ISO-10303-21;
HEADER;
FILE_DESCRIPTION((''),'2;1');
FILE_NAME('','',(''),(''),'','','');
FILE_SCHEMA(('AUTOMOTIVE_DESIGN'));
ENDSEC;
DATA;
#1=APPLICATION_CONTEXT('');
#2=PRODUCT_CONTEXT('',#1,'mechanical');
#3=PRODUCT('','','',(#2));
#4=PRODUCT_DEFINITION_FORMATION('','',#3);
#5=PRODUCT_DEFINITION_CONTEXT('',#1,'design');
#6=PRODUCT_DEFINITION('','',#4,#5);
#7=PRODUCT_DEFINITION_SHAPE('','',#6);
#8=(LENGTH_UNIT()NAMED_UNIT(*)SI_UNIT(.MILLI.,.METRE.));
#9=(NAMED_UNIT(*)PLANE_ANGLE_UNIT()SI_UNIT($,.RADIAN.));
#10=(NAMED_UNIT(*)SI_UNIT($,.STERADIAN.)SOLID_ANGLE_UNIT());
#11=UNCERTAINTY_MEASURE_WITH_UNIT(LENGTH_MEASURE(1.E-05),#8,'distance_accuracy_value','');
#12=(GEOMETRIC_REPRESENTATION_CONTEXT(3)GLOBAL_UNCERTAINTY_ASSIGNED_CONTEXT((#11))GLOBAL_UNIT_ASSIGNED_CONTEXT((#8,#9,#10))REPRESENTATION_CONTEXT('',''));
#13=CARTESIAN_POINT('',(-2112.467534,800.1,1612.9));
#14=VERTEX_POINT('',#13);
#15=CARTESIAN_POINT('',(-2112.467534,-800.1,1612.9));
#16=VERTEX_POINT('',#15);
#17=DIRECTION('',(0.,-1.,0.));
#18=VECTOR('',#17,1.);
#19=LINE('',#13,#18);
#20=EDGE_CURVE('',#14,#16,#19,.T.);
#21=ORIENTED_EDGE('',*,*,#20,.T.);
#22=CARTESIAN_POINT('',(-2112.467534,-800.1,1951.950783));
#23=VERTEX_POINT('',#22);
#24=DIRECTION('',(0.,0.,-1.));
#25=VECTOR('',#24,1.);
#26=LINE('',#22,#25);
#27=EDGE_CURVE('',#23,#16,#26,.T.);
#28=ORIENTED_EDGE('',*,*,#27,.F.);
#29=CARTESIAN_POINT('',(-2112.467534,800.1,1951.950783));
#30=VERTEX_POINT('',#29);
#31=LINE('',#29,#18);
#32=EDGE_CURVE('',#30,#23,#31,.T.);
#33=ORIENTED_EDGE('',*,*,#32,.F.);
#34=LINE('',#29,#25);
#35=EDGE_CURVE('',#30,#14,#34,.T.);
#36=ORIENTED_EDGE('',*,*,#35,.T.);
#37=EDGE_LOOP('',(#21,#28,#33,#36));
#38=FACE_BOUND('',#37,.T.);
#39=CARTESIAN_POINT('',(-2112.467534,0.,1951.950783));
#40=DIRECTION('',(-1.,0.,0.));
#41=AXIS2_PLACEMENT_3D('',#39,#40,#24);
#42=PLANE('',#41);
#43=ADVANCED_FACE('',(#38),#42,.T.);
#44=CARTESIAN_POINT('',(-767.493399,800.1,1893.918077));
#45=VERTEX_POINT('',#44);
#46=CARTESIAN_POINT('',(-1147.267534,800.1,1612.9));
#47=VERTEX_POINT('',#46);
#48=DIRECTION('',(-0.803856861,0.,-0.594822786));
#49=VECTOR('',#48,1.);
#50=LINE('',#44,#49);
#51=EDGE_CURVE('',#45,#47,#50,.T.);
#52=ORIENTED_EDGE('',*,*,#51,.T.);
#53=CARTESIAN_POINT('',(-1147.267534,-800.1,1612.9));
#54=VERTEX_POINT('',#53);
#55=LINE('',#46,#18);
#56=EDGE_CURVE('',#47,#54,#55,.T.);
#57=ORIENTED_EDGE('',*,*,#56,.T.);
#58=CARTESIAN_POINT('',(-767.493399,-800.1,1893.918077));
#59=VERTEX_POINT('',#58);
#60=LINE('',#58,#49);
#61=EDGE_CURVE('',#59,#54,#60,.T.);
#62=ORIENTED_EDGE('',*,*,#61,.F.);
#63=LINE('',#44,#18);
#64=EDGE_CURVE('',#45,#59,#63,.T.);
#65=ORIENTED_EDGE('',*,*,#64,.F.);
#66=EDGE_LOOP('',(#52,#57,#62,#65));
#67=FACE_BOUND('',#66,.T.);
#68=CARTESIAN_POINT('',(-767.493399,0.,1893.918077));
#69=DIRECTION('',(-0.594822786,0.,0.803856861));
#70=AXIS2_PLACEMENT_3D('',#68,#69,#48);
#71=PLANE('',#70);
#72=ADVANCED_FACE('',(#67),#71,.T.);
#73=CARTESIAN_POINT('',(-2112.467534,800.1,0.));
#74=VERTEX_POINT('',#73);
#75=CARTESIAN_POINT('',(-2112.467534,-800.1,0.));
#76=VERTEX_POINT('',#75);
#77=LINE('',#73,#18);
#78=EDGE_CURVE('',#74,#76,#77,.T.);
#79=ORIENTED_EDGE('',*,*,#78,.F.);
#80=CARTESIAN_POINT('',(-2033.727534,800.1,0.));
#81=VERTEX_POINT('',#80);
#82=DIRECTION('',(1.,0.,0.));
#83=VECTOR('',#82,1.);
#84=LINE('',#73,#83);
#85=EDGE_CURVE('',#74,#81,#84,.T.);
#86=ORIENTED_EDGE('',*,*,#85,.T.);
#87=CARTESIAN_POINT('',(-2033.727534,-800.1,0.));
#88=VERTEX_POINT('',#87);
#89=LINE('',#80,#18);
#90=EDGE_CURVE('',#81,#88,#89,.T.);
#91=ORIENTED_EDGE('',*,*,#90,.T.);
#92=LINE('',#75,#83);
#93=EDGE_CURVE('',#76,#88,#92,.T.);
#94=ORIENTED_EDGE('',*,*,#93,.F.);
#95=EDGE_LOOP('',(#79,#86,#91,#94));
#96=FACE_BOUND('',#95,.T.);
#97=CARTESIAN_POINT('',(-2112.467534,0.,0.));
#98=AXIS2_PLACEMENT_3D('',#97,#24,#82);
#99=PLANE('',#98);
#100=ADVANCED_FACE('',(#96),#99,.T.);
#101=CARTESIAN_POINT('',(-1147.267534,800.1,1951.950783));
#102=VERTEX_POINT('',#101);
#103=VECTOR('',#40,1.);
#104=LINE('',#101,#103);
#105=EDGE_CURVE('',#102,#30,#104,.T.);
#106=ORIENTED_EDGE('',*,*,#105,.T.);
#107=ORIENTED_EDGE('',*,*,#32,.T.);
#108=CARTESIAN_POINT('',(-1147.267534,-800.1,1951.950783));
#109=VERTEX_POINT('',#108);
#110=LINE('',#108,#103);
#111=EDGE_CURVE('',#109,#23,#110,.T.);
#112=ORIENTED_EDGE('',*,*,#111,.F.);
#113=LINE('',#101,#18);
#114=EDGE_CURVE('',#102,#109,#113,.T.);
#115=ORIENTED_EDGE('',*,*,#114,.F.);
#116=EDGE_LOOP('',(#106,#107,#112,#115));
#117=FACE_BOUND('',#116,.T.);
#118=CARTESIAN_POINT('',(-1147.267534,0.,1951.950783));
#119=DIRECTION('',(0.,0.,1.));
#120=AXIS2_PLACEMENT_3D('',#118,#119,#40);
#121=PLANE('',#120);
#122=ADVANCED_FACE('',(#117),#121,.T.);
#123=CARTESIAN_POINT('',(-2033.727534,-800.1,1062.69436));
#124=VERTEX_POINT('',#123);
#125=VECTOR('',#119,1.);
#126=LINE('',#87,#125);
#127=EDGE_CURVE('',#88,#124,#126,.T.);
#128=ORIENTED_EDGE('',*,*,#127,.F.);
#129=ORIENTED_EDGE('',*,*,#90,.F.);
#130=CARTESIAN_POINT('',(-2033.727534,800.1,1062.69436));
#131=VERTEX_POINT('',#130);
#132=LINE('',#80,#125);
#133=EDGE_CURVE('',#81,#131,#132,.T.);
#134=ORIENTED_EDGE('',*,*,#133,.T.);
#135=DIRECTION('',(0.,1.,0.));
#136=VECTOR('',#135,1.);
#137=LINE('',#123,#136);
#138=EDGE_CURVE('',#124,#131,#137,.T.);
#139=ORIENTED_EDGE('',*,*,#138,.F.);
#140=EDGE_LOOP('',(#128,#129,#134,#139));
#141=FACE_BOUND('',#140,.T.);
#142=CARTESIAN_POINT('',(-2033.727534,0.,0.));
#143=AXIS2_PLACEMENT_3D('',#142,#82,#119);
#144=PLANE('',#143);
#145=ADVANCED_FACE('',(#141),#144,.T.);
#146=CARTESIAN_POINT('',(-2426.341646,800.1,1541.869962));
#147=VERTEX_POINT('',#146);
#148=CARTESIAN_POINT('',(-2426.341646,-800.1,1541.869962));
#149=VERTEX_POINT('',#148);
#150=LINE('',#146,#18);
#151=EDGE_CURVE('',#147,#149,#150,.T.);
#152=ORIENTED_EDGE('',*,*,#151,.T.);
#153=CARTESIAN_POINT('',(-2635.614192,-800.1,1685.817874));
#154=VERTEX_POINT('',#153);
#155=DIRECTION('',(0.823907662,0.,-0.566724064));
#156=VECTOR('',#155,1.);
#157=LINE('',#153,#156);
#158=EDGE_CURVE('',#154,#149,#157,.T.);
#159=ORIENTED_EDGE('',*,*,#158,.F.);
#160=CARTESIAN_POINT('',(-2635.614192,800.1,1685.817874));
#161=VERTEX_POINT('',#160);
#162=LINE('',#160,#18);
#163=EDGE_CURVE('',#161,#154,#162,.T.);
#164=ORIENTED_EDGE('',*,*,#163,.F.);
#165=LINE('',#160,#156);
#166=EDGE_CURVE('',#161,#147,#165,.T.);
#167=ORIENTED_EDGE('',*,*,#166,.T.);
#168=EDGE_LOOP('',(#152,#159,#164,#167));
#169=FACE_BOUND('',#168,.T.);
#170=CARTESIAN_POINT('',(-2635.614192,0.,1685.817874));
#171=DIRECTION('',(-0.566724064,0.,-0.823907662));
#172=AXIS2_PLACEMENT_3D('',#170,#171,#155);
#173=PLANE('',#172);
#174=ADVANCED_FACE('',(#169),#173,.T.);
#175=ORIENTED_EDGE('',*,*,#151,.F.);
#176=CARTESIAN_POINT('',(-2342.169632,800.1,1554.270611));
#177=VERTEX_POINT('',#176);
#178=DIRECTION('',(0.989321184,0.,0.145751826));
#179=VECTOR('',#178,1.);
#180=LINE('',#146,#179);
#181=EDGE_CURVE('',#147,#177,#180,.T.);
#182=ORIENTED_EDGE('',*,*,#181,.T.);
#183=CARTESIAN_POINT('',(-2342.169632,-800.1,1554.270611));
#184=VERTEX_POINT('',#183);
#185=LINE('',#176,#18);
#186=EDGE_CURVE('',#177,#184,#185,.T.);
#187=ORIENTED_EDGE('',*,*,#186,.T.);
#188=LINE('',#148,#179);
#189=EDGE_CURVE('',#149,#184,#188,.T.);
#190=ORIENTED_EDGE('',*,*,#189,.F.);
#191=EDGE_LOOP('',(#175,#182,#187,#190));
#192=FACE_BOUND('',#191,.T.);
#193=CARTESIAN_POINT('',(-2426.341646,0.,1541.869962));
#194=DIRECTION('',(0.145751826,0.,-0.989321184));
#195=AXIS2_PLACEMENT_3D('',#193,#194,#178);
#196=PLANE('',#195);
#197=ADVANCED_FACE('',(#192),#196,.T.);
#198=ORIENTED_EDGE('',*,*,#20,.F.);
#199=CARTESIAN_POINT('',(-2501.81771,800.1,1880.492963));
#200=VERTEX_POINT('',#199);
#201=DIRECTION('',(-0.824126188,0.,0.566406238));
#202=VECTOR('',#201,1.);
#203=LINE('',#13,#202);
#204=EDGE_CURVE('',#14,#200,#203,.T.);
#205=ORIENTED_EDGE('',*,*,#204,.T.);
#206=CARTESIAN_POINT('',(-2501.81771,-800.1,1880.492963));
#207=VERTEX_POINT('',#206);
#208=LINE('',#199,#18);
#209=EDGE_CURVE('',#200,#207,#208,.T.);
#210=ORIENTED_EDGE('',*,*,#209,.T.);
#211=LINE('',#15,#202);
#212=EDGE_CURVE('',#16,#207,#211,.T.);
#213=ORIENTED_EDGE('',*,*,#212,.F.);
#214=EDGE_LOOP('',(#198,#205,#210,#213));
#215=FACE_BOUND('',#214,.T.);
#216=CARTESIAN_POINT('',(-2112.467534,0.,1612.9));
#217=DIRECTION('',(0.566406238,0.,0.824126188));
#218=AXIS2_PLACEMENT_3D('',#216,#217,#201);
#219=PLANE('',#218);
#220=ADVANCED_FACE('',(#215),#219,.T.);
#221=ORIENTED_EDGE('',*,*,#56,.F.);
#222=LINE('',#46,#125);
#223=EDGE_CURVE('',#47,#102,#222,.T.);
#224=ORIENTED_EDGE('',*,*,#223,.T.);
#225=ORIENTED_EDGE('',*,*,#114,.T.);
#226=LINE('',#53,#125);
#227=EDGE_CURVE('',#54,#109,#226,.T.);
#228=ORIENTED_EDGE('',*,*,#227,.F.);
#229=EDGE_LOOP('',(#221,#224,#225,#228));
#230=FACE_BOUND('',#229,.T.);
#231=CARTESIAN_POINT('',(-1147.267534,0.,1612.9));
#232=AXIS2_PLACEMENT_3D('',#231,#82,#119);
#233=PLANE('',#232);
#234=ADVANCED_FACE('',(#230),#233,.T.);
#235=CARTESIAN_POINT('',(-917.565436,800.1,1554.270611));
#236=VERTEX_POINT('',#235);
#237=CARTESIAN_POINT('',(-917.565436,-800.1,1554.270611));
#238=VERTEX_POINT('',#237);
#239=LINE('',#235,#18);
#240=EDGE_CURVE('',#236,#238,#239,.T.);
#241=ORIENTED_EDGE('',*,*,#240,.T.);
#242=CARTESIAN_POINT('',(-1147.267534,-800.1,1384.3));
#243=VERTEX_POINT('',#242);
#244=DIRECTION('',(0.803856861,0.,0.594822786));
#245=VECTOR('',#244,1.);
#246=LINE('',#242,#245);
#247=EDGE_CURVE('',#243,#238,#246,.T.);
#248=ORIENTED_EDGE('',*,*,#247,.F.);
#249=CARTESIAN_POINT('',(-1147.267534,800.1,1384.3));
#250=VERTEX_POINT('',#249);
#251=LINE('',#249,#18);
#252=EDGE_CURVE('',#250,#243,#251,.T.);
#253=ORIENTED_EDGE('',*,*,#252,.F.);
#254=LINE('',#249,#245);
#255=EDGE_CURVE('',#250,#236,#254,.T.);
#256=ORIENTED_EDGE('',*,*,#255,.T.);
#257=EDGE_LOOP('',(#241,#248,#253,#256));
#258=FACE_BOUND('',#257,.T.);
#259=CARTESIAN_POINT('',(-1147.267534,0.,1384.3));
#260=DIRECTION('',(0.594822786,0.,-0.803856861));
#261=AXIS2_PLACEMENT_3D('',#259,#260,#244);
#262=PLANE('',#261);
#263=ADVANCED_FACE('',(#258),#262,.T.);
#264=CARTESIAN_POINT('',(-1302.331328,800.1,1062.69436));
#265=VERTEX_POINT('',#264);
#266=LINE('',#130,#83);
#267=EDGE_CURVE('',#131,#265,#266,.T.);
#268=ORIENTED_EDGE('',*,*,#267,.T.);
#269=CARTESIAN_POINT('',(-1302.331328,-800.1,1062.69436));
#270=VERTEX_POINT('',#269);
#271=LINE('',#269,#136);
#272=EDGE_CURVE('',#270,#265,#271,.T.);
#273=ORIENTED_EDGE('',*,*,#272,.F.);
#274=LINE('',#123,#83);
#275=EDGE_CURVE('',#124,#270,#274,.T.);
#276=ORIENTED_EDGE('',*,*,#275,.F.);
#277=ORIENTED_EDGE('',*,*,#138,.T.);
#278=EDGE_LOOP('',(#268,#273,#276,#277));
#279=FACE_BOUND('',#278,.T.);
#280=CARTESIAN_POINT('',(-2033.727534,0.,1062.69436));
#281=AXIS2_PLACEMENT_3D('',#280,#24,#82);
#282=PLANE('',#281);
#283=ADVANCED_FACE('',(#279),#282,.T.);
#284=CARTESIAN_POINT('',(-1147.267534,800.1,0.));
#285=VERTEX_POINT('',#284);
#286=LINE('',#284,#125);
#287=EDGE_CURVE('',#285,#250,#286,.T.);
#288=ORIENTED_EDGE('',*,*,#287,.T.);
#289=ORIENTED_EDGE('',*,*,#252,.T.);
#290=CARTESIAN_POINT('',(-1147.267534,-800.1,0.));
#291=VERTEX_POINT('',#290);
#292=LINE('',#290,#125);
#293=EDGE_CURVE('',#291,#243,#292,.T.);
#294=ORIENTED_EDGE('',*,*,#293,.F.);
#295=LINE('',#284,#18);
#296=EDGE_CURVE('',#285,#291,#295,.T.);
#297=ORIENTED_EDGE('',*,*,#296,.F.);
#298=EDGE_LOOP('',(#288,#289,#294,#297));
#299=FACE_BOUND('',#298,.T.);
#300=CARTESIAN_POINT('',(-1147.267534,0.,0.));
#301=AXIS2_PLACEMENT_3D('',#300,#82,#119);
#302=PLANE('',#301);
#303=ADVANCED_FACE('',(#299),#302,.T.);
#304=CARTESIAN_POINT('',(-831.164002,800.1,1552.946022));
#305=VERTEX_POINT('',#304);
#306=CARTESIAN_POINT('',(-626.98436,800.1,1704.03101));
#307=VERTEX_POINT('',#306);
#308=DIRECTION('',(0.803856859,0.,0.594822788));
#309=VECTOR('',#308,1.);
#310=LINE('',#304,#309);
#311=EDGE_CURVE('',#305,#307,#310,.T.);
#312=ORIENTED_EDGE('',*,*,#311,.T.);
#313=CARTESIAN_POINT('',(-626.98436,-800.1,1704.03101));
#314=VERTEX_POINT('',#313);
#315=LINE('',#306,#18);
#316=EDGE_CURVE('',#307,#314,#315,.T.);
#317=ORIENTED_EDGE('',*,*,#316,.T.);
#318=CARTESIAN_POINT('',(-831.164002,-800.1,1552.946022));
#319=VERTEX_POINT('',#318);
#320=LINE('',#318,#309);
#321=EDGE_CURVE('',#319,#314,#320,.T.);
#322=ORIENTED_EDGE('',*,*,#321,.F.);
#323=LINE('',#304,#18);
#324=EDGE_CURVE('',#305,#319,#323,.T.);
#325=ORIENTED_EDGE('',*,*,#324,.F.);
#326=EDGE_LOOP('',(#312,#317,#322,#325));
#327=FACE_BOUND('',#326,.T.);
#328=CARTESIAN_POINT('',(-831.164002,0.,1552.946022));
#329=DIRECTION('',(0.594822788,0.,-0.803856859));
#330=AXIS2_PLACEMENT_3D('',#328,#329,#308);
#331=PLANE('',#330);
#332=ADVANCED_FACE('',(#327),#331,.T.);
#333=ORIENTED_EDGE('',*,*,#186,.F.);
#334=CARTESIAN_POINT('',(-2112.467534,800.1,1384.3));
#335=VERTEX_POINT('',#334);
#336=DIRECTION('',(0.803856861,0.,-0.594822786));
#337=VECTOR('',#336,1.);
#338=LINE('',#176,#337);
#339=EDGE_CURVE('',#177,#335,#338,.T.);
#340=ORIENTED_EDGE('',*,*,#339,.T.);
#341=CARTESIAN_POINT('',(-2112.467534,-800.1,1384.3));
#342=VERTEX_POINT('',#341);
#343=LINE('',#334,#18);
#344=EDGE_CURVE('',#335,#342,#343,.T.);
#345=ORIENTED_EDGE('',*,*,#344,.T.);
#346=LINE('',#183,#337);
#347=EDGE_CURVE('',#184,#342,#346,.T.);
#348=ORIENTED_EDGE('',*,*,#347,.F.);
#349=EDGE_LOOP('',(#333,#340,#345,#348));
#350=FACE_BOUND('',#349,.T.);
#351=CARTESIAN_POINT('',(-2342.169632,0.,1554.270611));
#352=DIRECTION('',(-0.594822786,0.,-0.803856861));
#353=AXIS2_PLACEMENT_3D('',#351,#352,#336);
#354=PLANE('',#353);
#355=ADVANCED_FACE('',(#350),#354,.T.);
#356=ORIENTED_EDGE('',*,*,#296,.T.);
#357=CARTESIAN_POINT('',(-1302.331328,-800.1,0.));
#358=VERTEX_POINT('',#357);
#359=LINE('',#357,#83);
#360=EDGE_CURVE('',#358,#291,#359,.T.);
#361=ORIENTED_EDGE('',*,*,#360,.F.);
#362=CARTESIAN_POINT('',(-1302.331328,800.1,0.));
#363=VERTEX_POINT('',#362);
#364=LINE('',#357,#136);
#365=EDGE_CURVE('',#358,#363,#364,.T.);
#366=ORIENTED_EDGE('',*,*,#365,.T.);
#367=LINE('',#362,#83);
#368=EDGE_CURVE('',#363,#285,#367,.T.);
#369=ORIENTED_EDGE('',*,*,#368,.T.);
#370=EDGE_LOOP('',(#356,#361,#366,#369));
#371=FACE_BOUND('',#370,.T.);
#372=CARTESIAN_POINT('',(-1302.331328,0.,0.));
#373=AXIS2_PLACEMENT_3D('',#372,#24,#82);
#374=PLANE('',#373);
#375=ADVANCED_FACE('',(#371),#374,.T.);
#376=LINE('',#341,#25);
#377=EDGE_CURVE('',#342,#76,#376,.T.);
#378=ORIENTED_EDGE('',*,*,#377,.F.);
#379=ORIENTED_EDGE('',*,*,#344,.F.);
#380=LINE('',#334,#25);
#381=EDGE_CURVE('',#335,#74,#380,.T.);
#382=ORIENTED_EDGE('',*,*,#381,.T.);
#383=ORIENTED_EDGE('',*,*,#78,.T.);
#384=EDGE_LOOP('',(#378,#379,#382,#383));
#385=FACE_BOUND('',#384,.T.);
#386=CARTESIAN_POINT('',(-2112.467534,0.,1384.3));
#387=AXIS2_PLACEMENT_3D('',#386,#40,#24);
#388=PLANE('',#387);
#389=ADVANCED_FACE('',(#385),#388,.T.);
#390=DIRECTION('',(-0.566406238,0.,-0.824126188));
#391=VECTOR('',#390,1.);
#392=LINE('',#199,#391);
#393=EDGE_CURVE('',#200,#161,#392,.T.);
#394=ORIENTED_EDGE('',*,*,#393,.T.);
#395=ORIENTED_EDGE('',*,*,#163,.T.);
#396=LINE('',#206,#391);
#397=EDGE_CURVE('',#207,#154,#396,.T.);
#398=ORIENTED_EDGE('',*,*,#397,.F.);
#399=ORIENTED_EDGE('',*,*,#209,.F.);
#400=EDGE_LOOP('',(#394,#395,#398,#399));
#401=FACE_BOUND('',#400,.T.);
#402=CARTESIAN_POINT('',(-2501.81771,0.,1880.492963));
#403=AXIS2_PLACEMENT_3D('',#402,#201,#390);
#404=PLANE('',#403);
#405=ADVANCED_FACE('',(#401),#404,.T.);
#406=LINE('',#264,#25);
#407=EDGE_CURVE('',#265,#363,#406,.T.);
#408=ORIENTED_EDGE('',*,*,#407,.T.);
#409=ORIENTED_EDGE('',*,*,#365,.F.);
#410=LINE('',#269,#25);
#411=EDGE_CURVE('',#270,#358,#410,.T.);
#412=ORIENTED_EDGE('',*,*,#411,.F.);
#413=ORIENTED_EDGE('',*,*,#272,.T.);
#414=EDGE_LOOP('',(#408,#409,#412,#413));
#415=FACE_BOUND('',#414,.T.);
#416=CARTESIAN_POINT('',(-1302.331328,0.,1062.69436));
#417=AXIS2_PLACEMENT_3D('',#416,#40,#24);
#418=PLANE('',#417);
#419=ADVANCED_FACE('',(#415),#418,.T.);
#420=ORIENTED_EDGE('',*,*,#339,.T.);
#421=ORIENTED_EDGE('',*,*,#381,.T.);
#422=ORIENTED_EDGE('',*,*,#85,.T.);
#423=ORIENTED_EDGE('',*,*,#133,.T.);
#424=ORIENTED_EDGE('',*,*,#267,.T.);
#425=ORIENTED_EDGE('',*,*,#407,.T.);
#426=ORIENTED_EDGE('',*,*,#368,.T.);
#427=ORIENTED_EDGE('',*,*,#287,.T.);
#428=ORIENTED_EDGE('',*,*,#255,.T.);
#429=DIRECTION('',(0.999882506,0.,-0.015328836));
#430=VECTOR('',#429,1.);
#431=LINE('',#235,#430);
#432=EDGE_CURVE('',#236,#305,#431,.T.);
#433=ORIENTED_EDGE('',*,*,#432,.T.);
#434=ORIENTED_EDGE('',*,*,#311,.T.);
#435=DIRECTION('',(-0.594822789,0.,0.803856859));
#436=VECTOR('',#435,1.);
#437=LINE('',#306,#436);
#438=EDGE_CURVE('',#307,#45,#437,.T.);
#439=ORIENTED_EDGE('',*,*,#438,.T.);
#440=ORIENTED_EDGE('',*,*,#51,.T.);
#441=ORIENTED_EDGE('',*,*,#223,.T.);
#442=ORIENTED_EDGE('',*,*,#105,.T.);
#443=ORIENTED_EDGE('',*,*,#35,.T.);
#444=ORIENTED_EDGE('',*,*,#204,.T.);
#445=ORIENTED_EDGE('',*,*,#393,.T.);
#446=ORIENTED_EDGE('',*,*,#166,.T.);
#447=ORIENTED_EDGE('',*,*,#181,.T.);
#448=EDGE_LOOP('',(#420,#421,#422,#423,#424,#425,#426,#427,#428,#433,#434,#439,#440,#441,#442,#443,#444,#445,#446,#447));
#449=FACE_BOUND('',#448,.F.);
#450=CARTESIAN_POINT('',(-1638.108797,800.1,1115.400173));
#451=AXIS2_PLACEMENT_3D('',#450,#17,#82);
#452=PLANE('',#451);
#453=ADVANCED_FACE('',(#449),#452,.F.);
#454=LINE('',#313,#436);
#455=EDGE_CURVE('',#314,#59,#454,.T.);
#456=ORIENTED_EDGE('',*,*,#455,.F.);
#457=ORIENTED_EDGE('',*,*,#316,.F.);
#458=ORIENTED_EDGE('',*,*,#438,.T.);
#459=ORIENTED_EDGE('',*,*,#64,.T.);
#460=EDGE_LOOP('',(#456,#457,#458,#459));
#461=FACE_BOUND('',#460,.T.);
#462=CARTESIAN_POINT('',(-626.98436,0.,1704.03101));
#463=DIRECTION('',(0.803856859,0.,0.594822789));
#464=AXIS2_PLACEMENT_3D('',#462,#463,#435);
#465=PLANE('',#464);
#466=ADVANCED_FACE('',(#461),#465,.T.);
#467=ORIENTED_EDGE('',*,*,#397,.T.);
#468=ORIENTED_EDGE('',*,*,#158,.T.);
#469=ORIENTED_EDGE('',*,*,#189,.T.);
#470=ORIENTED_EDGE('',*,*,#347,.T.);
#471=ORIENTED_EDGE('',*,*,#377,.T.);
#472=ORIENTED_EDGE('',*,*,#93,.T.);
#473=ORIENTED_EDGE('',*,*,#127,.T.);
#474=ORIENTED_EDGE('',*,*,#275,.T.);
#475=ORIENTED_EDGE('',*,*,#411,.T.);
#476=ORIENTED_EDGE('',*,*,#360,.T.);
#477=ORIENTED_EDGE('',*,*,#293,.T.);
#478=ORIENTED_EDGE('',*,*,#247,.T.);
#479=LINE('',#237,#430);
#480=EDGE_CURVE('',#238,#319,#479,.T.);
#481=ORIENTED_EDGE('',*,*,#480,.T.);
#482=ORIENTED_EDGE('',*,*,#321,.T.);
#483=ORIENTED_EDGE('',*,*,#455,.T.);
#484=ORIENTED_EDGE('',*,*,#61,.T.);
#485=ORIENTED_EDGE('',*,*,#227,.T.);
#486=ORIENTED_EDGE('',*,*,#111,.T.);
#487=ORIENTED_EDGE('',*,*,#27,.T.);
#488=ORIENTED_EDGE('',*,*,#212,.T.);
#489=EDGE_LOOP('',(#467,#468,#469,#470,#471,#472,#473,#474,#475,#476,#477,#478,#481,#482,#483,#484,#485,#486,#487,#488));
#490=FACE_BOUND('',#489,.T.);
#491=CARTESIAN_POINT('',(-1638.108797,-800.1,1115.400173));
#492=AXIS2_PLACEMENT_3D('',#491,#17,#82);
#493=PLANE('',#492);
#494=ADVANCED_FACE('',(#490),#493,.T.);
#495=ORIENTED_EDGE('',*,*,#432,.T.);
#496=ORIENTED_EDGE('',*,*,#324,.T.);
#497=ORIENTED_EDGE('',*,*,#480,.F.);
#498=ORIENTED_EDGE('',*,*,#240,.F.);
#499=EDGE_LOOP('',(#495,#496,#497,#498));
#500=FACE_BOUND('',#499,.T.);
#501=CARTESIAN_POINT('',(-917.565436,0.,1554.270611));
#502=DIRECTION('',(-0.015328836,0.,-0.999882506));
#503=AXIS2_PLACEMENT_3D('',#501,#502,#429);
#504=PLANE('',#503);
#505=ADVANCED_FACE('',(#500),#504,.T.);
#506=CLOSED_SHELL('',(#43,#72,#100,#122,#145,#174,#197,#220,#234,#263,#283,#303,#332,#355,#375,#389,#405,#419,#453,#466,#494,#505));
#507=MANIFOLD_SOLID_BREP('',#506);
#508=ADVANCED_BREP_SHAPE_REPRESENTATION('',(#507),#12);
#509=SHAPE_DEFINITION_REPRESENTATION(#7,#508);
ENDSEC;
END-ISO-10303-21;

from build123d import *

# Parameters (mm, degrees)
F1_DEPTH = 800.1


with BuildPart() as f1:
    # F0 (on Front) → F1 (new body, symmetric)
    with BuildSketch(Plane.XZ):
        Polygon((-1302.331328, 0), (-1147.267534, 0), (-1147.267534, 1384.3), (-917.565436, 1554.270611), (-831.164002, 1552.946022), (-626.98436, 1704.03101), (-767.493399, 1893.918077), (-1147.267534, 1612.9), (-1147.267534, 1951.950783), (-2112.467534, 1951.950783), (-2112.467534, 1612.9), (-2501.81771, 1880.492963), (-2635.614192, 1685.817874), (-2426.341646, 1541.869962), (-2342.169632, 1554.270611), (-2112.467534, 1384.3), (-2112.467534, 0), (-2033.727534, 0), (-2033.727534, 1062.69436), (-1302.331328, 1062.69436), align=None)
    extrude(amount=F1_DEPTH, both=True)


solid = f1.part
